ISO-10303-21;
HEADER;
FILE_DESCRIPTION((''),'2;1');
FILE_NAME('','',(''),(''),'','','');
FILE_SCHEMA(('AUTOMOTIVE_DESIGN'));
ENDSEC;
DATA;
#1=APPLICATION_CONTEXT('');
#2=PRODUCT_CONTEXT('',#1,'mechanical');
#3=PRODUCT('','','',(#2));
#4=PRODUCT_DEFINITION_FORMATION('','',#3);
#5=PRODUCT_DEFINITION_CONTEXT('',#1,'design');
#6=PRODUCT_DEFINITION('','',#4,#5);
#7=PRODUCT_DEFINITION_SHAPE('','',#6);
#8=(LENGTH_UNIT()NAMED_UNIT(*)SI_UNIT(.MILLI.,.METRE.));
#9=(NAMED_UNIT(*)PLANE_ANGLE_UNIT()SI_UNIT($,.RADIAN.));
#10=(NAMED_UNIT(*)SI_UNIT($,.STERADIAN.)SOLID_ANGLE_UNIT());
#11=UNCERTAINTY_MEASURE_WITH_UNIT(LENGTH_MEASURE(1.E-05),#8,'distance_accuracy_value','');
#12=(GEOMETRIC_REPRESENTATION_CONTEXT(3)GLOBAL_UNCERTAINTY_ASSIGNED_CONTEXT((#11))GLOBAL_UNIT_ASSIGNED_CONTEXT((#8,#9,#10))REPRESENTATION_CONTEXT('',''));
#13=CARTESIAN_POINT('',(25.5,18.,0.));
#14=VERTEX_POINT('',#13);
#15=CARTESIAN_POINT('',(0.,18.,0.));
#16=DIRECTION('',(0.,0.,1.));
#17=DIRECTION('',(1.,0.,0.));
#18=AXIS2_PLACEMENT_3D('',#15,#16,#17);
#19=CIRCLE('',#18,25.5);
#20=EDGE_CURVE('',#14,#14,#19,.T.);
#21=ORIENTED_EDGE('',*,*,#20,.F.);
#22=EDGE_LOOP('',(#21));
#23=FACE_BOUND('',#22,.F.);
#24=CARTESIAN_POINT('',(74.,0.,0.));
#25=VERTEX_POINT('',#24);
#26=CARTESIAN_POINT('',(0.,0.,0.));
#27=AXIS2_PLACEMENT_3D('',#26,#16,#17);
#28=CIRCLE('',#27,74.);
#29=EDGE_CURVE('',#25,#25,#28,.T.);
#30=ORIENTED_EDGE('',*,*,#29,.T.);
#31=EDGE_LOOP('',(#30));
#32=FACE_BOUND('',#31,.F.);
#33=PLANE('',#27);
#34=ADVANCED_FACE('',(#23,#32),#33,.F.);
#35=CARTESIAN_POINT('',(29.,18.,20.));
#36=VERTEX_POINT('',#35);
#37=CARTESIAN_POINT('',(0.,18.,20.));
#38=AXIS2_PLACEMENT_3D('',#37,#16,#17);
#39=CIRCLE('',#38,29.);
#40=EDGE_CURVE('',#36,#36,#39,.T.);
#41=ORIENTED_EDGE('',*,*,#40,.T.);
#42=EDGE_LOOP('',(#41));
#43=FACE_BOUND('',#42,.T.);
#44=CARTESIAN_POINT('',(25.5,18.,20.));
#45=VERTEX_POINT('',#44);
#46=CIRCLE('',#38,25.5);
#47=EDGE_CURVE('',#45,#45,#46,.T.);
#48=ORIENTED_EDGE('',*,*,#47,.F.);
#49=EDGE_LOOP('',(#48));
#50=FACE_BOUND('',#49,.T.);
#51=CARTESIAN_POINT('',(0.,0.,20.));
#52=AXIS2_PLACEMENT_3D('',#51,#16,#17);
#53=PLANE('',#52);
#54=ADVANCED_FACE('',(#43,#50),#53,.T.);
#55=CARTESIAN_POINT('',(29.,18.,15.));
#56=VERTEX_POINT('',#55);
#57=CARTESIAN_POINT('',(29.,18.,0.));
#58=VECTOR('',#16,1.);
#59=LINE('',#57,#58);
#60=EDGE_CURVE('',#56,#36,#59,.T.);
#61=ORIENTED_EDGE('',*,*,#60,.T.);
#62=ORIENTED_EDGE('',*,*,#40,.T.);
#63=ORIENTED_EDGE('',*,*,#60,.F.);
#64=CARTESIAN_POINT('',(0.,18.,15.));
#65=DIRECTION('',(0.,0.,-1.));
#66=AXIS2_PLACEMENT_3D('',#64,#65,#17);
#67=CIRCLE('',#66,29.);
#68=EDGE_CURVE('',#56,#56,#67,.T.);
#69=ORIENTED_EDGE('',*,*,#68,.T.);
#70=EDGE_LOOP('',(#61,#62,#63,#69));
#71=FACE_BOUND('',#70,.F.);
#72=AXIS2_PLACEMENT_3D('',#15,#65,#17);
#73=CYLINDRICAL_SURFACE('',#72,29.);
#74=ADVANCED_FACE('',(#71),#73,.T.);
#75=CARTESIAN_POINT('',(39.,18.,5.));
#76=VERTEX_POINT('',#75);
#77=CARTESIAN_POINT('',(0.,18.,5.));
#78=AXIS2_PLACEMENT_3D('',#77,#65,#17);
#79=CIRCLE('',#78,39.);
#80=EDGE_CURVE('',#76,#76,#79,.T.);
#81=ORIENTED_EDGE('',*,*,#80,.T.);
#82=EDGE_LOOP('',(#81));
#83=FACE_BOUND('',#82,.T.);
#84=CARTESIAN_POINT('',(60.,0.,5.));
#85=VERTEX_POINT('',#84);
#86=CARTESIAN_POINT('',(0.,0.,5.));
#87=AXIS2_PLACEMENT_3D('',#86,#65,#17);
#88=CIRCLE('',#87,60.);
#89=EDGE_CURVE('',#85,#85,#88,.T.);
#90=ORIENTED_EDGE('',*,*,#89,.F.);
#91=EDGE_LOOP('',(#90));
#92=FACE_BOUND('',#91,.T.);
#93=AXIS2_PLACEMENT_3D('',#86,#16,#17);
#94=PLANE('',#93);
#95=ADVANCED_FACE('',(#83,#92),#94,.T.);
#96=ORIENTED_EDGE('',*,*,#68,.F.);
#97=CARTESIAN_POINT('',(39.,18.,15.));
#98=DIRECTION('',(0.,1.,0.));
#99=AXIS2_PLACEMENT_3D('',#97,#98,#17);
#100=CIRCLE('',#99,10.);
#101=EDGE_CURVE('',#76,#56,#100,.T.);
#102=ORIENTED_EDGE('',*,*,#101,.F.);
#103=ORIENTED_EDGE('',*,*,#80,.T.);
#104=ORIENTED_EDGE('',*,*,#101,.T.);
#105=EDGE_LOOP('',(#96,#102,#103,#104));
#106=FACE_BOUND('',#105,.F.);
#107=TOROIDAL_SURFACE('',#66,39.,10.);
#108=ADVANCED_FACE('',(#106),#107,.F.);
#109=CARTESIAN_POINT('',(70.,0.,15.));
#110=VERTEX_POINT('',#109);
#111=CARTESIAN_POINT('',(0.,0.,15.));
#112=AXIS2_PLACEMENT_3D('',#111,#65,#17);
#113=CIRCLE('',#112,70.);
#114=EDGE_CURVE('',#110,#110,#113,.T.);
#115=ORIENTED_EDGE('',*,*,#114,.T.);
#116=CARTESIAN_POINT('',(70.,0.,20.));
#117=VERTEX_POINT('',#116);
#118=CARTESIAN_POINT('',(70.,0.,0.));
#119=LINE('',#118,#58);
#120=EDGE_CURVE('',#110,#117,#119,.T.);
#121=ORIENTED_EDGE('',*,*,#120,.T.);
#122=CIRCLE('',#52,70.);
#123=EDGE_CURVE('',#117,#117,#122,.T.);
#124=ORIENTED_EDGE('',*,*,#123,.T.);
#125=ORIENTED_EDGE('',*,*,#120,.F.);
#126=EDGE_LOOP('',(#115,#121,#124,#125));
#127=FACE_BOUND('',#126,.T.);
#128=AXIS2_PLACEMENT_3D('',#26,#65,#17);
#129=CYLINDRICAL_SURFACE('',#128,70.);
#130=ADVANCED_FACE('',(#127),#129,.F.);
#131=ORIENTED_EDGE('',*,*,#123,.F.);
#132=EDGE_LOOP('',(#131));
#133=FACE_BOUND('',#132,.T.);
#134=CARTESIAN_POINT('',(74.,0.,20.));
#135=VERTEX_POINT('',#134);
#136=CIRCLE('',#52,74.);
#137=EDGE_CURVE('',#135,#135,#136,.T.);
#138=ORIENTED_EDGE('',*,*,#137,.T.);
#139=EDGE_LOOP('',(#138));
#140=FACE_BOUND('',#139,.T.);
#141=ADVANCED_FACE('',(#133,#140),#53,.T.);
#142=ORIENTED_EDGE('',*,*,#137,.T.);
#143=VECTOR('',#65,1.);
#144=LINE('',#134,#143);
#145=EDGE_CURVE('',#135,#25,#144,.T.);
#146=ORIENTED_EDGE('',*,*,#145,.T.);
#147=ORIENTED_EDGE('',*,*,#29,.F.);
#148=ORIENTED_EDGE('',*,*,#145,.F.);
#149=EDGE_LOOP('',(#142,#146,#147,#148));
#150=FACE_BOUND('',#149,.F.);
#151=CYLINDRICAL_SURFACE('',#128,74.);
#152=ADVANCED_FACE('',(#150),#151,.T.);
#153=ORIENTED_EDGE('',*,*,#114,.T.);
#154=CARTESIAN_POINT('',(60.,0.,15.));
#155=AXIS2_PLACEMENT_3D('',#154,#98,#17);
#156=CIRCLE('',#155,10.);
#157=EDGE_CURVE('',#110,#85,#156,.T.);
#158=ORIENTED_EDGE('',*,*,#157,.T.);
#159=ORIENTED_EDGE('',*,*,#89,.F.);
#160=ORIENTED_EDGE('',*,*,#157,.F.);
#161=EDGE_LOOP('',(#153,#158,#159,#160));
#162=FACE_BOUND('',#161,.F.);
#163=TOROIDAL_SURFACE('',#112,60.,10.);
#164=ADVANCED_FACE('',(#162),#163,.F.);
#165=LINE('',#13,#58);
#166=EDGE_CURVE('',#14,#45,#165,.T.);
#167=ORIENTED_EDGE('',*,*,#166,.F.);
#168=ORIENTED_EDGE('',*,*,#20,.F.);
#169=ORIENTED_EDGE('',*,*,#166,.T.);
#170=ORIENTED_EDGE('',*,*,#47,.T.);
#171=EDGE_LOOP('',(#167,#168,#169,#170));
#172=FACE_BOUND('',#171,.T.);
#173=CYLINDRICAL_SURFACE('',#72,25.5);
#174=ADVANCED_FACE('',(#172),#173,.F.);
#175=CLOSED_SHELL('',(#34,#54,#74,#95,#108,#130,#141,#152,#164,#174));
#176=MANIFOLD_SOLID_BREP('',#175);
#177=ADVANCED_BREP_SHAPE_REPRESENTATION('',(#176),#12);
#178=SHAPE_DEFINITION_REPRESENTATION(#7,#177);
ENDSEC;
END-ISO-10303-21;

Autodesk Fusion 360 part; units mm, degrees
sketch "Sketch1" plane through (0, 0, 0) normal (0, 0, 1) x (1, 0, 0)
  circle A0 centre (0, 0) radius 74
  circle A1 centre (0, 18) radius 25.5
  circle A2 centre (0, 0) radius 70
  circle A3 centre (0, 18) radius 29
  dimension "d1" = 148
  dimension "d2" = 51
  dimension "d3" = 18
  dimension "d4" = 140
  dimension "d5" = 58
extrude "Extrude1" add sketch "Sketch1" along normal blind 5 contours A0 | A2 | A3
extrude "Extrude2" add sketch "Sketch1" along normal blind 20
fillet "Fillet1" radius 10 2 edges at (-27.0375, 28.4868, 5) (-65.2629, -25.3131, 5)
